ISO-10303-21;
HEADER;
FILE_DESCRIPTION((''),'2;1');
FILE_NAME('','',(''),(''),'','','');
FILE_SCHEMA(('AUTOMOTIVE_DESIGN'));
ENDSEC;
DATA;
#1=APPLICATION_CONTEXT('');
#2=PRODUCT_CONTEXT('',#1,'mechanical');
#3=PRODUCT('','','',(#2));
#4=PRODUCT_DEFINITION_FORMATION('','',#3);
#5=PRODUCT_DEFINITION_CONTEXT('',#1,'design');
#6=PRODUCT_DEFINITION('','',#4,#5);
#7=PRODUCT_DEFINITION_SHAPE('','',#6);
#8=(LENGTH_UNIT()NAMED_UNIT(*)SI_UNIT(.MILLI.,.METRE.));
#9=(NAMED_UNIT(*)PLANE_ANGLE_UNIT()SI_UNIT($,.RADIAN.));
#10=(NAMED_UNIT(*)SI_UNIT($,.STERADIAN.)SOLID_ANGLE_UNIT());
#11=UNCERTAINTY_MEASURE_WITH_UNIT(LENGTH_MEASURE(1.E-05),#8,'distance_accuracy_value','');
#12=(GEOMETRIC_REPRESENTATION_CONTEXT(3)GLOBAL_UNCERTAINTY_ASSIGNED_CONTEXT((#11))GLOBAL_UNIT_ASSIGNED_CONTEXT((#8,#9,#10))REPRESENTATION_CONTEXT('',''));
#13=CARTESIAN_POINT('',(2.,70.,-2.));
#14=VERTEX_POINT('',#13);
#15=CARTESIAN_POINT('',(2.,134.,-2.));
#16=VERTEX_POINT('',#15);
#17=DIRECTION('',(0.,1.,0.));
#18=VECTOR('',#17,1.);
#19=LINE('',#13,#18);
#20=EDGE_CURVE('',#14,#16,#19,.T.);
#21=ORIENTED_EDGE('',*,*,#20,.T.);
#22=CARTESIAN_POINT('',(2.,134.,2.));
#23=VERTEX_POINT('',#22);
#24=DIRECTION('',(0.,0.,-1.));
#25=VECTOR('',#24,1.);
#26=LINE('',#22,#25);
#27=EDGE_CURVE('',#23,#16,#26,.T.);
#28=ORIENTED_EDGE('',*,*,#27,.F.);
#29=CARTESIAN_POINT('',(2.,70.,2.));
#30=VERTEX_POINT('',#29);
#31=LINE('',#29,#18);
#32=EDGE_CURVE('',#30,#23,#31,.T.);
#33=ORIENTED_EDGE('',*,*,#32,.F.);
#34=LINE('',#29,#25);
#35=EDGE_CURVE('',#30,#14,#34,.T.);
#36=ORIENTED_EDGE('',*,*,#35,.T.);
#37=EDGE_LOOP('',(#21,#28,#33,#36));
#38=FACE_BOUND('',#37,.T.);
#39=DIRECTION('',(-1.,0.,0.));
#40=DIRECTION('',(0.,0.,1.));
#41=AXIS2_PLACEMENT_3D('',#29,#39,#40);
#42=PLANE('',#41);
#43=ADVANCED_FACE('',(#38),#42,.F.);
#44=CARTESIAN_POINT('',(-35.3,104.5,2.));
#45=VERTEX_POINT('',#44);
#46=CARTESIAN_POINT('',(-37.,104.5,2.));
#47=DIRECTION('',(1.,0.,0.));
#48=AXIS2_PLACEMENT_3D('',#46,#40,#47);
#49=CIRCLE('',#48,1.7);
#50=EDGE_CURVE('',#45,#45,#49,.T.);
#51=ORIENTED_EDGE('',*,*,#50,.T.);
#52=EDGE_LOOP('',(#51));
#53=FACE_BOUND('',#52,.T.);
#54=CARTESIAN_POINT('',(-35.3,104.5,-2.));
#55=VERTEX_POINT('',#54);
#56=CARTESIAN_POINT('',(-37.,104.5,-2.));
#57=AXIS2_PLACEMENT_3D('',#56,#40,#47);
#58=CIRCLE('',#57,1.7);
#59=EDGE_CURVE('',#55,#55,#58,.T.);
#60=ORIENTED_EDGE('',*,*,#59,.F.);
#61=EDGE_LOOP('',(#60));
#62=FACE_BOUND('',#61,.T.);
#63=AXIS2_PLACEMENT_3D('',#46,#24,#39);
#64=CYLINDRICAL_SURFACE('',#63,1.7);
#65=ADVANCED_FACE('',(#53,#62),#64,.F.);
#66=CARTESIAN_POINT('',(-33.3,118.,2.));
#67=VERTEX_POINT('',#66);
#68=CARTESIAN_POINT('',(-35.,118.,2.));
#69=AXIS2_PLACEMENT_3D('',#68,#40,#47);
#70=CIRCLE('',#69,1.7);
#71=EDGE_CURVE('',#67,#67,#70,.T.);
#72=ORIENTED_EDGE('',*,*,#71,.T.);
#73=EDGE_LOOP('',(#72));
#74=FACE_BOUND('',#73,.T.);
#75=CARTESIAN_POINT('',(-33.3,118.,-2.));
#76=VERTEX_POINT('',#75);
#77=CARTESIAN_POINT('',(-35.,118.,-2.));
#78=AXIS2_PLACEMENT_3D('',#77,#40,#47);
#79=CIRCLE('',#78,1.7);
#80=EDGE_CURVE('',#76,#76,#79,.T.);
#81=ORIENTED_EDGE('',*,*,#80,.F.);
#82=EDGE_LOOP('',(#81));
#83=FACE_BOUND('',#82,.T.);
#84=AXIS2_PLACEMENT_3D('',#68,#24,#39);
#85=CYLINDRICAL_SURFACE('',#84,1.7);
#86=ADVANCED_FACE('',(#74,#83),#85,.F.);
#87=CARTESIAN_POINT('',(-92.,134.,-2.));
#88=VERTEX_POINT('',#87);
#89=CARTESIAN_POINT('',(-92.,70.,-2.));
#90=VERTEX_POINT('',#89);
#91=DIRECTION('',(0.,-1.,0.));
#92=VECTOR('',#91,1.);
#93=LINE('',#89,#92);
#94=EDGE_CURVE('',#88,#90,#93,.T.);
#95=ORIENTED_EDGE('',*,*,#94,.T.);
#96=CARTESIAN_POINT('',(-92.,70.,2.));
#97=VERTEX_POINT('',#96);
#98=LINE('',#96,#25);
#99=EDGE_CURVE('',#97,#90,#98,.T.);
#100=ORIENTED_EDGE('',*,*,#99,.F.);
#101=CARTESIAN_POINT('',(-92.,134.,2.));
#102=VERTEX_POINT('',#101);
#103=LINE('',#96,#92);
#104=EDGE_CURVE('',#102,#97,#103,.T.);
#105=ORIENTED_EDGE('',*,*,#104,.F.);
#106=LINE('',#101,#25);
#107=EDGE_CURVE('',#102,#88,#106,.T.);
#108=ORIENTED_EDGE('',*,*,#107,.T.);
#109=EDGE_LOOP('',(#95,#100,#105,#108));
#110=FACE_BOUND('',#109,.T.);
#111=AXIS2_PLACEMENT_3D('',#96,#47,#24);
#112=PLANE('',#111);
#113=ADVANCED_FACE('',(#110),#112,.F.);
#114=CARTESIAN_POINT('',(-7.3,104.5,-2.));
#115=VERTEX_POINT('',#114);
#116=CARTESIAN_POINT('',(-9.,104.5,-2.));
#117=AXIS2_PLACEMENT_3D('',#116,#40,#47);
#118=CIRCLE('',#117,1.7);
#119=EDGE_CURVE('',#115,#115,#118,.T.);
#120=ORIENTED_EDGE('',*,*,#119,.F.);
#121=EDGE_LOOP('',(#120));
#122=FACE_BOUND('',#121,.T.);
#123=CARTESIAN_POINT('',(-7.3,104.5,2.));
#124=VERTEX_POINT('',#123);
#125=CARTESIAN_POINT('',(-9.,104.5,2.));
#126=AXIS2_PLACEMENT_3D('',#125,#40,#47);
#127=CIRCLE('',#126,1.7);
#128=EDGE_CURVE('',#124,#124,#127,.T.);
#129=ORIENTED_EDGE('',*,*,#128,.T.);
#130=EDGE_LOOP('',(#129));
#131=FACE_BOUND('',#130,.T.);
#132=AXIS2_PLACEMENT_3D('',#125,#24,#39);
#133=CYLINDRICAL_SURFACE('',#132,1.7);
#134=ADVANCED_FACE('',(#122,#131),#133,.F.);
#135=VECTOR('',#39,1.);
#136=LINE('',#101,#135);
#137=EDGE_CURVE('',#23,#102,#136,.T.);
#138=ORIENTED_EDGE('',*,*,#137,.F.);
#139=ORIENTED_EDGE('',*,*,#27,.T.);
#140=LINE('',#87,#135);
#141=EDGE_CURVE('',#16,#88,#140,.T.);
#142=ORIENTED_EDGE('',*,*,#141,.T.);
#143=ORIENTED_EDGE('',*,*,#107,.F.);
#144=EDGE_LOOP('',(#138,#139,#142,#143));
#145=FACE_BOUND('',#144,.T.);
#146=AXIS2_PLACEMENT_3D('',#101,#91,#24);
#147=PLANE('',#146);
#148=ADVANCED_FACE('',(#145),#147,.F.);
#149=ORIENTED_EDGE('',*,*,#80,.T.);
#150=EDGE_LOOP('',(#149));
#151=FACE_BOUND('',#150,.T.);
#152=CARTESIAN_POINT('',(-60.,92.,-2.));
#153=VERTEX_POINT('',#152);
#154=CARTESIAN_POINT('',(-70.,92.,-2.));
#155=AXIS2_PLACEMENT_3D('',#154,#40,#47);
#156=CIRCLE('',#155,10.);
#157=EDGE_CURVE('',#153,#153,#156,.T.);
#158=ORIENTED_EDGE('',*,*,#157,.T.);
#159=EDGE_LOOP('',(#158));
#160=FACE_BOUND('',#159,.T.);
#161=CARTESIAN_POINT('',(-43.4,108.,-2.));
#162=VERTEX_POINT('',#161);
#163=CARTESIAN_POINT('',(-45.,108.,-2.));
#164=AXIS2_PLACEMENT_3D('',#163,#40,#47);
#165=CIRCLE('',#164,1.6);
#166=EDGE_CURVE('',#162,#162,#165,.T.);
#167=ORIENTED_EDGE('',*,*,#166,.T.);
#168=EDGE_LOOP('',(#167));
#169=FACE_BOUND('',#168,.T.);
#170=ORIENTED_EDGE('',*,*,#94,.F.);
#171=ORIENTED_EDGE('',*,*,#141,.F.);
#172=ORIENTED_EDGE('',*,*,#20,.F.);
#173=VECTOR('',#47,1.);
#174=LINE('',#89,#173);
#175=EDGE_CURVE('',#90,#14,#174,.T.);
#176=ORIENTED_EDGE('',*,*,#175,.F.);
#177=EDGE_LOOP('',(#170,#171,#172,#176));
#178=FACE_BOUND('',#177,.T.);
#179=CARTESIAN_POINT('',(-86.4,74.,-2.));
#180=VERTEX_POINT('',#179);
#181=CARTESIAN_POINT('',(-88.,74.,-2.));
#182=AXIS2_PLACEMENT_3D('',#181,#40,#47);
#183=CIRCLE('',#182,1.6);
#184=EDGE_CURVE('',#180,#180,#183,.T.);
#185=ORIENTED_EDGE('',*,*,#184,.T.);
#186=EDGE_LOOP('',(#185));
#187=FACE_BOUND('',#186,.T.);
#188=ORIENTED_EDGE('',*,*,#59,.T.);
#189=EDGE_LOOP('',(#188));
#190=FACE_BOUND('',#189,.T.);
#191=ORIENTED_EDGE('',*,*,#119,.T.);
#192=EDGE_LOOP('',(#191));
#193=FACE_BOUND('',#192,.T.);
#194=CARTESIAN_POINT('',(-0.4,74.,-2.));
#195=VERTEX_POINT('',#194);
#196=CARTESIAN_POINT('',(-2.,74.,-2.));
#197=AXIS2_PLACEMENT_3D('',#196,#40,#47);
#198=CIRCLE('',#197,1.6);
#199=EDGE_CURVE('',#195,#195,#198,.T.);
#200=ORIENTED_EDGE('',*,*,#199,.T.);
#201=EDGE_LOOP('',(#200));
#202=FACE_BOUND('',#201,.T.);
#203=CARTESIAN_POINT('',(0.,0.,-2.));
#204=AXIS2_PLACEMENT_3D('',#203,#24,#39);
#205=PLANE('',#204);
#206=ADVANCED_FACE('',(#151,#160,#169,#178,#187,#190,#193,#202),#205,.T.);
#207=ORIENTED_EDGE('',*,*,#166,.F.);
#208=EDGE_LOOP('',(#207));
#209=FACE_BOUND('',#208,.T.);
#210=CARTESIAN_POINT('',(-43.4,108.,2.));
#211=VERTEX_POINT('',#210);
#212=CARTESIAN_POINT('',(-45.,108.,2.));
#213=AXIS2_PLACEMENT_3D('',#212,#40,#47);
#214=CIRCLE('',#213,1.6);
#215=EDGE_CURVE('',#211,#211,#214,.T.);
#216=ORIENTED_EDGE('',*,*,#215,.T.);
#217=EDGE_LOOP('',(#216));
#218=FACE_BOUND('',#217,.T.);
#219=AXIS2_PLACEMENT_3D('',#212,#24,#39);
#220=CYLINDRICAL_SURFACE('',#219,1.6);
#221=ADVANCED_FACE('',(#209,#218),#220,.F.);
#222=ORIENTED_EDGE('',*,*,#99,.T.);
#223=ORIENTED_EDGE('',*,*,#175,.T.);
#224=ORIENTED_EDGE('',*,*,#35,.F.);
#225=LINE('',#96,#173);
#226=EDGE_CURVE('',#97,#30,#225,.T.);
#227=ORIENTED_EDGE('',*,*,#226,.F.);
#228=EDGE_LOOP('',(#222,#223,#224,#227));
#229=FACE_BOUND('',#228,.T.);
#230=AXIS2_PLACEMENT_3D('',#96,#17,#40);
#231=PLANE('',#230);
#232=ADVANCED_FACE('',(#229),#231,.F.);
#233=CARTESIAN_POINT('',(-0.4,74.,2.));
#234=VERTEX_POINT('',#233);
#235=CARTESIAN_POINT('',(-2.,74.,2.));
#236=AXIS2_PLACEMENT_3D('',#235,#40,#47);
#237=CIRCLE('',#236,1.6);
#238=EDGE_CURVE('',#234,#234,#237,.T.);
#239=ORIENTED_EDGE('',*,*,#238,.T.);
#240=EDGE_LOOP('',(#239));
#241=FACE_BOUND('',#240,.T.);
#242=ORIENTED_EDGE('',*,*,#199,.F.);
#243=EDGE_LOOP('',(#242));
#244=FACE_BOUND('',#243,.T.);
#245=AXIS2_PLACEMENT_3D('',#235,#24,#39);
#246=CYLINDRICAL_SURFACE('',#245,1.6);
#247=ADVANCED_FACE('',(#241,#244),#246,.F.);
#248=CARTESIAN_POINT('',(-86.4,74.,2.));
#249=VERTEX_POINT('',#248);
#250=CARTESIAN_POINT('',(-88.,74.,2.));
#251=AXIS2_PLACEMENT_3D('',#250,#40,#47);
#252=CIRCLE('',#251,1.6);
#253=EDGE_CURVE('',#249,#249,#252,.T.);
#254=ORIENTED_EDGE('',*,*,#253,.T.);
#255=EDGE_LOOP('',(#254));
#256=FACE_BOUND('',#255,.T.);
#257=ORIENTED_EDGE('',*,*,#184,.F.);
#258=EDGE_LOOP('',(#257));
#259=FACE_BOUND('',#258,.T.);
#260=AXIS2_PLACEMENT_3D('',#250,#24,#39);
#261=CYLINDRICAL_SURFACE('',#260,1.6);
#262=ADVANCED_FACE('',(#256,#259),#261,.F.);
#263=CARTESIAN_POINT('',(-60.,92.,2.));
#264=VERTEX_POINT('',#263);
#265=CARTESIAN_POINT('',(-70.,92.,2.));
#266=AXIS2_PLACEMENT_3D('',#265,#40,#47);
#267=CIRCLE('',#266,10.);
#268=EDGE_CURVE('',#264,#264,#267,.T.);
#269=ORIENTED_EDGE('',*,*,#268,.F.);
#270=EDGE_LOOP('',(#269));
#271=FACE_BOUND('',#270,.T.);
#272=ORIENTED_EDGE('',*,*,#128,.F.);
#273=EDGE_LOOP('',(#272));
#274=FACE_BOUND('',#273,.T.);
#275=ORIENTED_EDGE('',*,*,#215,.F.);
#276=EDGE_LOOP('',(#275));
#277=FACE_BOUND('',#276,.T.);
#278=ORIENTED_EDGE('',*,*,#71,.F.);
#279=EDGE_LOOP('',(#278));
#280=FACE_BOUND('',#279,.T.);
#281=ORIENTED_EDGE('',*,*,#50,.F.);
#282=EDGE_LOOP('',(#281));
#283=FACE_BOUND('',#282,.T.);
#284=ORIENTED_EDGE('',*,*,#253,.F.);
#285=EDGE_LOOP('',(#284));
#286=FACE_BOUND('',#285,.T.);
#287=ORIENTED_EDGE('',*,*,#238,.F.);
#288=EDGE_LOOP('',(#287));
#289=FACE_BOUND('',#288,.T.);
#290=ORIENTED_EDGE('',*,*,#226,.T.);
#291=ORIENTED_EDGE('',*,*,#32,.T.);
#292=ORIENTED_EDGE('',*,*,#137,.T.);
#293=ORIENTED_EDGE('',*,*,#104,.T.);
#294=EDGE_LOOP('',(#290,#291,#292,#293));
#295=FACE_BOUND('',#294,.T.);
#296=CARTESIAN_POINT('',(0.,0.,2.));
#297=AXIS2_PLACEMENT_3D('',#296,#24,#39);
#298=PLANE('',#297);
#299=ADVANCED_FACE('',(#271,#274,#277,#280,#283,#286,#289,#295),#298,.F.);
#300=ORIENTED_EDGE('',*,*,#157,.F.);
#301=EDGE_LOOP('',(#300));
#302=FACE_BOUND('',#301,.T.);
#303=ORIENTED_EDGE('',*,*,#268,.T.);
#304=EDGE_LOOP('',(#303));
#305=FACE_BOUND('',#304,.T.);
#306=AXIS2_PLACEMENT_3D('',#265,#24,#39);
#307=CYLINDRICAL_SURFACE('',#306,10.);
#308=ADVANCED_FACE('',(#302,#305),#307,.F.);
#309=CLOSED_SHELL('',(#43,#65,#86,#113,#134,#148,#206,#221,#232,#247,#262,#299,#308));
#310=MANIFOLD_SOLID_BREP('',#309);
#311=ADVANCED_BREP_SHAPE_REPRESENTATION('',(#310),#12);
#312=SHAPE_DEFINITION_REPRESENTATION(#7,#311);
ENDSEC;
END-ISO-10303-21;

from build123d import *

# Parameters (mm, degrees)
SKETCH_1_W      = 94
SKETCH_1_H      = 64
SKETCH_1_R      = 10
SKETCH_1_R_2    = 1.7
SKETCH_1_R_3    = 1.6
EXTRUDE_1_DEPTH = 2


with BuildPart() as part:
    # 草图1 → 凸台-拉伸1 (new, symmetric)
    with BuildSketch(Plane.XY):
        with Locations((-45, 102)):
            Rectangle(SKETCH_1_W, SKETCH_1_H)
        with Locations((-70, 92)):
            Circle(SKETCH_1_R, mode=Mode.SUBTRACT)
        with Locations((-35, 118)):
            Circle(SKETCH_1_R_2, mode=Mode.SUBTRACT)
        with Locations((-9, 104.5)):
            Circle(SKETCH_1_R_2, mode=Mode.SUBTRACT)
        with Locations((-37, 104.5)):
            Circle(SKETCH_1_R_2, mode=Mode.SUBTRACT)
        with Locations((-88, 74)):
            Circle(SKETCH_1_R_3, mode=Mode.SUBTRACT)
        with Locations((-2, 74)):
            Circle(SKETCH_1_R_3, mode=Mode.SUBTRACT)
        with Locations((-45, 108)):
            Circle(SKETCH_1_R_3, mode=Mode.SUBTRACT)
    extrude(amount=EXTRUDE_1_DEPTH, both=True)


solid = part.part
